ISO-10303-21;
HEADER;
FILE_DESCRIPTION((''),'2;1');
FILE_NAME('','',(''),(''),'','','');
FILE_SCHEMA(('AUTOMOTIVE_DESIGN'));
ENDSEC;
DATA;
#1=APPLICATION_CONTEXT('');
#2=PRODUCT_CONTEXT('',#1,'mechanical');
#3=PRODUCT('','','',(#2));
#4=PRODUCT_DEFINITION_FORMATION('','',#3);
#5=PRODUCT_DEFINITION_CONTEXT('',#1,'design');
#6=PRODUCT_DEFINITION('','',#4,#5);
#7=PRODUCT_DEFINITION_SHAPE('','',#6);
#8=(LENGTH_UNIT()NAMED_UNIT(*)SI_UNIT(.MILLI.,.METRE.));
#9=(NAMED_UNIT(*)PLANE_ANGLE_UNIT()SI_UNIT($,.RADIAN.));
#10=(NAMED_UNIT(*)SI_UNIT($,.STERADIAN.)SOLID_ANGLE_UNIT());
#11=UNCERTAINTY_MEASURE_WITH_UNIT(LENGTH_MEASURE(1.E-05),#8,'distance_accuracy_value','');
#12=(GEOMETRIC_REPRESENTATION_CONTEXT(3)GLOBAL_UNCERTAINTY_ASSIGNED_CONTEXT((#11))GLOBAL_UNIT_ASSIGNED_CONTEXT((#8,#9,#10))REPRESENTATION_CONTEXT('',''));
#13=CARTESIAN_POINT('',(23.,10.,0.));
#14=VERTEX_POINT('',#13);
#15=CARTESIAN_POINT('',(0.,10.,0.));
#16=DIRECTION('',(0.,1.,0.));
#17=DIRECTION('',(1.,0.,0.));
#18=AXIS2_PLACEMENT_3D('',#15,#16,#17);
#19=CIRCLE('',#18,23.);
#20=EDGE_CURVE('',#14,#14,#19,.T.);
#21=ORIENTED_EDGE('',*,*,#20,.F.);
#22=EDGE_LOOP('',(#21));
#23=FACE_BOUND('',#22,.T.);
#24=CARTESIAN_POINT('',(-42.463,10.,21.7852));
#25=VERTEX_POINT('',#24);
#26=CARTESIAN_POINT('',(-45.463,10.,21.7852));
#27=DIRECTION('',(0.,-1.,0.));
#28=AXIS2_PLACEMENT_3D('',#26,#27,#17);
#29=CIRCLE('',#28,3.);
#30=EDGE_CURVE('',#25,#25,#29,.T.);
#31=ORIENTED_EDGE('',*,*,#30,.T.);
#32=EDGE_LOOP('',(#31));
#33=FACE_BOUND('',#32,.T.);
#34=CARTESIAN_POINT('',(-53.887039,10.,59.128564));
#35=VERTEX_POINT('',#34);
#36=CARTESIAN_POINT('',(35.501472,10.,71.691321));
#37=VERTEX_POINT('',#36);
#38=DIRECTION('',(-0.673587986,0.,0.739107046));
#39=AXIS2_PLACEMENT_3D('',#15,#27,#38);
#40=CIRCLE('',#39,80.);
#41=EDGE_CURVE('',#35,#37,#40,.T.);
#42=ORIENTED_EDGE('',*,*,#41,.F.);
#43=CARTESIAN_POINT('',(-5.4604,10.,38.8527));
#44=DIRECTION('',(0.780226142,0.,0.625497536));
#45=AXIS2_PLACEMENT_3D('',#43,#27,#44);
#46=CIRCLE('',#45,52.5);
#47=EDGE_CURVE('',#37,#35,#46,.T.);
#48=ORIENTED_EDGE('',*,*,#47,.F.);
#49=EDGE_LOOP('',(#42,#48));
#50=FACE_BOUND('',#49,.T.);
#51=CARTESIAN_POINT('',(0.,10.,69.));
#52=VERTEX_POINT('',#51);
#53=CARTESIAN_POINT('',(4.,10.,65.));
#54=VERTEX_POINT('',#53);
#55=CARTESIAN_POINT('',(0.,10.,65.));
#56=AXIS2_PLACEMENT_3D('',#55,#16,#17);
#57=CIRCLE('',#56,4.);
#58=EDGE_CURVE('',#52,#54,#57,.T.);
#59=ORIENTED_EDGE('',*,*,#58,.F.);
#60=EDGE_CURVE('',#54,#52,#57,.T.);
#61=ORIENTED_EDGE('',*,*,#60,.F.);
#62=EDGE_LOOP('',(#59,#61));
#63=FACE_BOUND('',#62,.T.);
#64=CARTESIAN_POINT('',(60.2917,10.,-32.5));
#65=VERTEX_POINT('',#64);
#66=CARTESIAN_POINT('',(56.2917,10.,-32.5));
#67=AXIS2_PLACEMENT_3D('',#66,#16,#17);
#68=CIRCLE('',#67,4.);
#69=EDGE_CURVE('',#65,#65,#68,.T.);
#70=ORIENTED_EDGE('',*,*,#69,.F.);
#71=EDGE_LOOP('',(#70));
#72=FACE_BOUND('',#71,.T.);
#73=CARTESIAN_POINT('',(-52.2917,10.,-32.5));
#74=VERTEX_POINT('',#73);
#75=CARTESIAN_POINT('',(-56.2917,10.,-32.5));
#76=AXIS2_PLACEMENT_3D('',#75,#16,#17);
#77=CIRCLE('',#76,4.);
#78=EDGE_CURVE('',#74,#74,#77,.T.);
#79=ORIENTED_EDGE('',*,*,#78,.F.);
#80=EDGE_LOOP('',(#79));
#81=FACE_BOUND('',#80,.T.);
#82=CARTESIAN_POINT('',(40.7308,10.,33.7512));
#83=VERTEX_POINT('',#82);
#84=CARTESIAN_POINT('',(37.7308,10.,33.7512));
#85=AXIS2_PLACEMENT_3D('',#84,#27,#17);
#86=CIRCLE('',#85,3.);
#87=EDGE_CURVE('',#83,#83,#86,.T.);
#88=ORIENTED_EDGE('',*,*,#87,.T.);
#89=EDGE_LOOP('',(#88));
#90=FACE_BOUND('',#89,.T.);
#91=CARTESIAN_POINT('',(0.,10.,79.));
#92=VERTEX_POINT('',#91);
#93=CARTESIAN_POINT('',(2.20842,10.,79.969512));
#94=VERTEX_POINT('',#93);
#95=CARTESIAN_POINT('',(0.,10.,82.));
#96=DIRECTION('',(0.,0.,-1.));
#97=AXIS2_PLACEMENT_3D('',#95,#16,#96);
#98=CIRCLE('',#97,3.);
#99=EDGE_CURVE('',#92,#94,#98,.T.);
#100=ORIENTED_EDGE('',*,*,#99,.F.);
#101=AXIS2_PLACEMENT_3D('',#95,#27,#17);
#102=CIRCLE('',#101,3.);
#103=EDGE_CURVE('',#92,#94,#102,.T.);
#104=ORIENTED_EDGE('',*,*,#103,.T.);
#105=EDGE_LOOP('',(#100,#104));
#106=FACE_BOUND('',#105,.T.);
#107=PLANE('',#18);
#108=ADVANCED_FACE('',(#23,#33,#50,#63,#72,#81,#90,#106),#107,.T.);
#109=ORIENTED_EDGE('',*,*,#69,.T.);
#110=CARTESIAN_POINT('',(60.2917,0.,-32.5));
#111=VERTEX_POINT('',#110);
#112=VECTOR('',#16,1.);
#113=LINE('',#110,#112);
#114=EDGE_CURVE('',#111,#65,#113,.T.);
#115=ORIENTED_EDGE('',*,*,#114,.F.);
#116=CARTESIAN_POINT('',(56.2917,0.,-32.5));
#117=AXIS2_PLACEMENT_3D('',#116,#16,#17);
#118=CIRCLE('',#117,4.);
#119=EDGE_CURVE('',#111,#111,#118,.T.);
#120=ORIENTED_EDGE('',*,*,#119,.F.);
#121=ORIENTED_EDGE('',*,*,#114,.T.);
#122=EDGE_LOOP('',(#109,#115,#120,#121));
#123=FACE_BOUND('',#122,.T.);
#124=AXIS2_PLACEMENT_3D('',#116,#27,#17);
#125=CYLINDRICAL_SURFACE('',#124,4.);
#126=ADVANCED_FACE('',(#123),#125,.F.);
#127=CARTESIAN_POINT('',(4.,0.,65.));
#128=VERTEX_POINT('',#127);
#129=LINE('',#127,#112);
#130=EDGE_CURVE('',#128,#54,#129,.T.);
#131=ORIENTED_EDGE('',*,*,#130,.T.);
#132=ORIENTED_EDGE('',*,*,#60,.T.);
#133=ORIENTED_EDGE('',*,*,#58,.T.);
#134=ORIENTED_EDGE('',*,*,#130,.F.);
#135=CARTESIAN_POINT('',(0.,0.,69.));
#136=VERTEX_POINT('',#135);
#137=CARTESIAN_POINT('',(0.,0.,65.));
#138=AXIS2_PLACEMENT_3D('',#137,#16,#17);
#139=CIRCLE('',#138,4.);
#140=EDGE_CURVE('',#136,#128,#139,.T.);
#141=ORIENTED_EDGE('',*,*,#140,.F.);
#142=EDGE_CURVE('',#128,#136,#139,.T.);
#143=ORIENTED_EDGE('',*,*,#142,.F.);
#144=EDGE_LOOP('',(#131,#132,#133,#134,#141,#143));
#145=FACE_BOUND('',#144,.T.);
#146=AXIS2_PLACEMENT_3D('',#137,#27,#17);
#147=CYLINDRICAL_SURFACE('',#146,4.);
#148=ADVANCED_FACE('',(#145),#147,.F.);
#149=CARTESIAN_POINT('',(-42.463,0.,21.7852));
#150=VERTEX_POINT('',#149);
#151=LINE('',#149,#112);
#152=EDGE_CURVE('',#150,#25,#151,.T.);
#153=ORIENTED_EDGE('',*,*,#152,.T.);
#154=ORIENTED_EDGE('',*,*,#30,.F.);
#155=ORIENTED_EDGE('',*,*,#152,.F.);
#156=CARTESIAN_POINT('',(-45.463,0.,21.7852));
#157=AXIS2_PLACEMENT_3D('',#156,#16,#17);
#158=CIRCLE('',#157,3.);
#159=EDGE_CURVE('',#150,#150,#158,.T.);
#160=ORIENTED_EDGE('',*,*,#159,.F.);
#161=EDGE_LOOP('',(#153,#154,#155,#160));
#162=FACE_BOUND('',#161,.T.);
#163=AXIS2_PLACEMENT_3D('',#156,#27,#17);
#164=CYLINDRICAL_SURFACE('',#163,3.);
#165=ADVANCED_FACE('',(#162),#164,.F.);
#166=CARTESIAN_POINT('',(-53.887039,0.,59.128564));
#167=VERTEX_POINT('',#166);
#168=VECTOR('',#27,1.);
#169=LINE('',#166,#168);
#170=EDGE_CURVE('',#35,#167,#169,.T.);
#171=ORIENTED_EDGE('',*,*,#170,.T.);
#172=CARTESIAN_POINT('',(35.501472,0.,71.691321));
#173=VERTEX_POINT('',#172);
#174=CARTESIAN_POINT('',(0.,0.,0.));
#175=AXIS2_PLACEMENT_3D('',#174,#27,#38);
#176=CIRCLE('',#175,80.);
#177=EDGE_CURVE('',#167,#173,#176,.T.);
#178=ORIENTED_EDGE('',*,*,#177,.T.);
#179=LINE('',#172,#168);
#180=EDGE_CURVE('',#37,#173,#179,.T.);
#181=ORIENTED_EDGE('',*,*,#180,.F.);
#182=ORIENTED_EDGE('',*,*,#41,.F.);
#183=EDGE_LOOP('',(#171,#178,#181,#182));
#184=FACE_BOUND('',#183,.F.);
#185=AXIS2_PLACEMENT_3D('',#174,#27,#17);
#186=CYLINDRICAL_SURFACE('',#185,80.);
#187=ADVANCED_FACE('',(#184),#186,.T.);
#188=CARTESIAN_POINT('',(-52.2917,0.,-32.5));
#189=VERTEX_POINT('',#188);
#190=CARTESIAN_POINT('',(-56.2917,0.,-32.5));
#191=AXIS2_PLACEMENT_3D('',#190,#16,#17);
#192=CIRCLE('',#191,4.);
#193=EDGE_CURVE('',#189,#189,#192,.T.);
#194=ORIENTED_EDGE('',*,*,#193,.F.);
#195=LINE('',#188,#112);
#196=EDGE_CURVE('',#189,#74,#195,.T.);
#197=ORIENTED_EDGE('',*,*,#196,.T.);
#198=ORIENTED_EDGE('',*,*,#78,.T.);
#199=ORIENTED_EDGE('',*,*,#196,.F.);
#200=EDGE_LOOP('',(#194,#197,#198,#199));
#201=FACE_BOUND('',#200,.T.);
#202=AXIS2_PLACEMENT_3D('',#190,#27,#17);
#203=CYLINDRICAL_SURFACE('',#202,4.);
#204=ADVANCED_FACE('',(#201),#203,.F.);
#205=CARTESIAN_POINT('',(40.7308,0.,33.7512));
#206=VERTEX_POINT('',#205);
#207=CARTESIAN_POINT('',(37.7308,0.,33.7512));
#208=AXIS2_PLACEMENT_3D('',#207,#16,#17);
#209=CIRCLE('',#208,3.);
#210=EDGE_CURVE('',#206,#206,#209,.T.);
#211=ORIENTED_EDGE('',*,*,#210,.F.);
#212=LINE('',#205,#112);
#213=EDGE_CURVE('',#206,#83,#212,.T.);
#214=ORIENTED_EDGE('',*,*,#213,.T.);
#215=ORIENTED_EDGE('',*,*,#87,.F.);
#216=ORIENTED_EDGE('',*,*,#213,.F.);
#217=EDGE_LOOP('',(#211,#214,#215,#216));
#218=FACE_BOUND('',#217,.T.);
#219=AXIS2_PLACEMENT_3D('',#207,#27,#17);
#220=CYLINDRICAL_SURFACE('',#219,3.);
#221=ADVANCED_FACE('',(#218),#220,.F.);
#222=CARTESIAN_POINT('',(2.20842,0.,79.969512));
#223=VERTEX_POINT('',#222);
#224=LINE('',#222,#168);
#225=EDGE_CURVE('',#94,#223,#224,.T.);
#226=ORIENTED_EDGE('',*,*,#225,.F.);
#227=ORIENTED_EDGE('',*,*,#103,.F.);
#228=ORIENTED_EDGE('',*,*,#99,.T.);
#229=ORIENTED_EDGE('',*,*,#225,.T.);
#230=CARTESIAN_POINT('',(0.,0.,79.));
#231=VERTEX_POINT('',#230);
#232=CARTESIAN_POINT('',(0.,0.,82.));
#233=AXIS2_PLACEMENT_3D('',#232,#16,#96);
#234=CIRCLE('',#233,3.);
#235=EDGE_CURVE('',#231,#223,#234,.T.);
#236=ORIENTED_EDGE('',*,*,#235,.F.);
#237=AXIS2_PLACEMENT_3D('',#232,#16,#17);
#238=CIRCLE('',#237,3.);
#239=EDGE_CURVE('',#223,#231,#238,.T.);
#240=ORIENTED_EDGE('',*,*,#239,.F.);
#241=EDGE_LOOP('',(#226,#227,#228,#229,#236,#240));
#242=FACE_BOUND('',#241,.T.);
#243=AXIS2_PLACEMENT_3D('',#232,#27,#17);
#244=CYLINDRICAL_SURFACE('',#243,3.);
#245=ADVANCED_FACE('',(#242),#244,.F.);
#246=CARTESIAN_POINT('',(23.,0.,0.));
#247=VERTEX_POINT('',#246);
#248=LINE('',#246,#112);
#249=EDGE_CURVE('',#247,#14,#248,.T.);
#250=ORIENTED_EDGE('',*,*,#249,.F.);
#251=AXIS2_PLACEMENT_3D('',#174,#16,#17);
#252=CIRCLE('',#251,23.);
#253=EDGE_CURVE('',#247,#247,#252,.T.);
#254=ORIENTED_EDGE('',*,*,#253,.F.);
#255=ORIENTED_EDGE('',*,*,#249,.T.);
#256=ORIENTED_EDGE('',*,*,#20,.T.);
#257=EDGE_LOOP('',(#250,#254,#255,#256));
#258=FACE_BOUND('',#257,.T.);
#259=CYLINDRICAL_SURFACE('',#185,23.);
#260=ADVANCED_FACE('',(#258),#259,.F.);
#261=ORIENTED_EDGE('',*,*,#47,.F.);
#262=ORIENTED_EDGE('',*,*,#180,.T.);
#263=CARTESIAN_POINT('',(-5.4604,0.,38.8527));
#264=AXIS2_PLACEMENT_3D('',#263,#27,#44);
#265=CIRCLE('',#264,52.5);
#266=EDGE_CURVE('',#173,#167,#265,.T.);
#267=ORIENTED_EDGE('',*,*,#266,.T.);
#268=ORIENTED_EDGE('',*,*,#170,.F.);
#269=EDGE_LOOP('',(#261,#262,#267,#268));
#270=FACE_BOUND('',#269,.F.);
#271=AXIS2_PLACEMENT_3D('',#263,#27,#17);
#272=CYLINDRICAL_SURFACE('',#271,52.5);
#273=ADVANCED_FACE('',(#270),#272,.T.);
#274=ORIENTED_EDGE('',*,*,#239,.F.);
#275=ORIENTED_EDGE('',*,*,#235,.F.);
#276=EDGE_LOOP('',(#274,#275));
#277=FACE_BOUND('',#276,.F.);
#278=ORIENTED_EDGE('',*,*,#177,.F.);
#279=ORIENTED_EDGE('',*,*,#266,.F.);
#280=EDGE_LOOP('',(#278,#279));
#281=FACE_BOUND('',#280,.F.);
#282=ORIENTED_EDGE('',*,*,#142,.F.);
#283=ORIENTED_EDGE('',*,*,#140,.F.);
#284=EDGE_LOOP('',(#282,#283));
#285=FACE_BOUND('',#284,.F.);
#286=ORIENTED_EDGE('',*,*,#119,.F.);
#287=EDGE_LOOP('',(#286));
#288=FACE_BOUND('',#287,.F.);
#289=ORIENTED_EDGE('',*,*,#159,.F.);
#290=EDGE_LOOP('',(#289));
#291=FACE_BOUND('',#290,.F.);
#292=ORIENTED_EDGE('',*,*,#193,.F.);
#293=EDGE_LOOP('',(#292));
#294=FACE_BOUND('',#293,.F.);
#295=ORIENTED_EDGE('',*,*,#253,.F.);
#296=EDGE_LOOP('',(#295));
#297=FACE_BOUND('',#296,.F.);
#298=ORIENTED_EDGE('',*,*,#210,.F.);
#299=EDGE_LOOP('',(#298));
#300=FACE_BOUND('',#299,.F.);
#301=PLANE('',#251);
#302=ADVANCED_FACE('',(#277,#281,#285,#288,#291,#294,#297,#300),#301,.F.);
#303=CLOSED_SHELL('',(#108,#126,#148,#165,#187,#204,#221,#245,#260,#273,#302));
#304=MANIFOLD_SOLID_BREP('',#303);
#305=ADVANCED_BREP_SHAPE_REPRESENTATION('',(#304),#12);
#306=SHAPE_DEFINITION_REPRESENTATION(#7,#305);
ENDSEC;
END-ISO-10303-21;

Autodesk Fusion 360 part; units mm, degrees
sketch "Sketch2" plane through (0, 0, 0) normal (0, 1, 0) x (1, 0, 0)
  circle A0 centre (0, 0) radius 80
  circle A1 centre (0, -65) radius 4
  circle A2 centre (-56.2917, 32.5) radius 4
  circle A3 centre (56.2917, 32.5) radius 4
  circle A4 centre (0, 0) radius 23
  dimension "d29" = 160
  dimension "d30" = 8
  dimension "d31" = 8
  dimension "d32" = 8
  dimension "d33" = 120
  dimension "d34" = 120
  dimension "d35" = 65
  dimension "d36" = 65
  dimension "d37" = 65
  dimension "d38" = 46
sketch "Sketch3" plane through (0, 0, 0) normal (0, 1, 0) x (1, 0, 0)
  circle A0 centre (0, -82) radius 3
  circle A1 centre (0, -65) radius 4
  circle A2 centre (37.7308, -33.7512) radius 3
  circle A3 centre (-45.463, -21.7852) radius 3
  circle A4 centre (-5.4604, -38.8527) radius 43.4915 construction
  line L0 (0, 0) -> (0, -106.7199)
  line L1 (0, 0) -> (-5.4604, -38.8527) construction
  circle A5 centre (-5.4604, -38.8527) radius 52.5
  line L2 (-44.0663, -23.3245) -> (-50.9, -23.3245)
  line L3 (-47.433, -26.5975) -> (-47.433, -19.6919)
  line L4 (32.8029, -32.5277) -> (40.5, -32.5277)
  line L5 (36.1117, -35.7471) -> (36.1117, -28.3628)
  point P0 (-47.433, -23.3245)
  point P1 (36.1117, -32.5277)
  dimension "d40" = 6
  dimension "d41" = 17
  dimension "d42" = 6
  dimension "d43" = 61.25
  dimension "d44" = 6
  dimension "d45" = 84.05
  dimension "d46" = 75.45
  dimension "d47" = 8
  dimension "d48" = 105
extrude "Extrude1" add sketch "Sketch3" sketch "Sketch2" along normal blind 10 of sketch 2
extrude "Extrude2" cut sketch "Sketch3" along normal blind 10 contours A0 L0 | A0 L0
extrude "Extrude3" cut sketch "Sketch2" along normal blind 10 contours A4
extrude "Extrude4" cut sketch "Sketch3" along normal blind 10 contours A3 L2 L3 | A3 L2 L3
extrude "Extrude5" cut sketch "Sketch3" along normal blind 10 contours A2 L4 | A2 L4 L5 | A2 L4 L5
sketch "Sketch4" plane through (0, 0, 0) normal (0, -1, 0) x (1, 0, 0)
  circle A0 centre (37.7308, 33.7512) radius 3
  circle A1 centre (-45.463, 21.7852) radius 3
  circle A2 centre (0, 65) radius 4
  circle A3 centre (0, 0) radius 23
  circle A4 centre (56.2917, -32.5) radius 4
  circle A5 centre (-56.2917, -32.5) radius 4
  arc A6 (35.5015, 71.6913) -> (-53.887, 59.1286) centre (-5.4604, 38.8527) ccw
  arc A7 (-53.887, 59.1286) -> (35.5015, 71.6913) centre (0, 0) ccw
  circle A8 centre (0, 82) radius 3
  circle A9 centre (0, 0) radius 23
  circle A10 centre (37.7308, 33.7512) radius 3
  circle A11 centre (0, 65) radius 4
  circle A12 centre (0, 82) radius 3
  circle A13 centre (-45.463, 21.7852) radius 3
  circle A14 centre (-56.2917, -32.5) radius 4
  circle A15 centre (56.2917, -32.5) radius 4
  line L0 (0, 83.5) -> (0, 80)
  line L1 (-1.6, 82) -> (1.6, 82)
  line L2 (0, 67.3) -> (0, 62.5)
  line L3 (-3, 65) -> (3.4, 65)
  line L4 (35.496, 33.7512) -> (39.8, 33.7512)
  line L5 (37.7308, 36.0039) -> (37.7308, 31.5)
  line L6 (-45.463, 24.0048) -> (-45.463, 19.2402)
  line L7 (-47.6513, 21.7852) -> (-43.1669, 21.7852)
  line L8 (-56.2917, -29.4965) -> (-56.2917, -35.5)
  line L9 (-59, -32.5) -> (-53.5, -32.5)
  line L10 (56.2917, -29.0015) -> (56.2917, -36)
  line L11 (53.1873, -32.5) -> (59.5, -32.5)
  line L12 (0, 10) -> (0, -9.5078)
  line L13 (-10, 0) -> (10, 0)
  dimension "d59" = 46
  dimension "d60" = 6
  dimension "d61" = 8
  dimension "d62" = 6
  dimension "d63" = 6
  dimension "d64" = 8
  dimension "d65" = 8
